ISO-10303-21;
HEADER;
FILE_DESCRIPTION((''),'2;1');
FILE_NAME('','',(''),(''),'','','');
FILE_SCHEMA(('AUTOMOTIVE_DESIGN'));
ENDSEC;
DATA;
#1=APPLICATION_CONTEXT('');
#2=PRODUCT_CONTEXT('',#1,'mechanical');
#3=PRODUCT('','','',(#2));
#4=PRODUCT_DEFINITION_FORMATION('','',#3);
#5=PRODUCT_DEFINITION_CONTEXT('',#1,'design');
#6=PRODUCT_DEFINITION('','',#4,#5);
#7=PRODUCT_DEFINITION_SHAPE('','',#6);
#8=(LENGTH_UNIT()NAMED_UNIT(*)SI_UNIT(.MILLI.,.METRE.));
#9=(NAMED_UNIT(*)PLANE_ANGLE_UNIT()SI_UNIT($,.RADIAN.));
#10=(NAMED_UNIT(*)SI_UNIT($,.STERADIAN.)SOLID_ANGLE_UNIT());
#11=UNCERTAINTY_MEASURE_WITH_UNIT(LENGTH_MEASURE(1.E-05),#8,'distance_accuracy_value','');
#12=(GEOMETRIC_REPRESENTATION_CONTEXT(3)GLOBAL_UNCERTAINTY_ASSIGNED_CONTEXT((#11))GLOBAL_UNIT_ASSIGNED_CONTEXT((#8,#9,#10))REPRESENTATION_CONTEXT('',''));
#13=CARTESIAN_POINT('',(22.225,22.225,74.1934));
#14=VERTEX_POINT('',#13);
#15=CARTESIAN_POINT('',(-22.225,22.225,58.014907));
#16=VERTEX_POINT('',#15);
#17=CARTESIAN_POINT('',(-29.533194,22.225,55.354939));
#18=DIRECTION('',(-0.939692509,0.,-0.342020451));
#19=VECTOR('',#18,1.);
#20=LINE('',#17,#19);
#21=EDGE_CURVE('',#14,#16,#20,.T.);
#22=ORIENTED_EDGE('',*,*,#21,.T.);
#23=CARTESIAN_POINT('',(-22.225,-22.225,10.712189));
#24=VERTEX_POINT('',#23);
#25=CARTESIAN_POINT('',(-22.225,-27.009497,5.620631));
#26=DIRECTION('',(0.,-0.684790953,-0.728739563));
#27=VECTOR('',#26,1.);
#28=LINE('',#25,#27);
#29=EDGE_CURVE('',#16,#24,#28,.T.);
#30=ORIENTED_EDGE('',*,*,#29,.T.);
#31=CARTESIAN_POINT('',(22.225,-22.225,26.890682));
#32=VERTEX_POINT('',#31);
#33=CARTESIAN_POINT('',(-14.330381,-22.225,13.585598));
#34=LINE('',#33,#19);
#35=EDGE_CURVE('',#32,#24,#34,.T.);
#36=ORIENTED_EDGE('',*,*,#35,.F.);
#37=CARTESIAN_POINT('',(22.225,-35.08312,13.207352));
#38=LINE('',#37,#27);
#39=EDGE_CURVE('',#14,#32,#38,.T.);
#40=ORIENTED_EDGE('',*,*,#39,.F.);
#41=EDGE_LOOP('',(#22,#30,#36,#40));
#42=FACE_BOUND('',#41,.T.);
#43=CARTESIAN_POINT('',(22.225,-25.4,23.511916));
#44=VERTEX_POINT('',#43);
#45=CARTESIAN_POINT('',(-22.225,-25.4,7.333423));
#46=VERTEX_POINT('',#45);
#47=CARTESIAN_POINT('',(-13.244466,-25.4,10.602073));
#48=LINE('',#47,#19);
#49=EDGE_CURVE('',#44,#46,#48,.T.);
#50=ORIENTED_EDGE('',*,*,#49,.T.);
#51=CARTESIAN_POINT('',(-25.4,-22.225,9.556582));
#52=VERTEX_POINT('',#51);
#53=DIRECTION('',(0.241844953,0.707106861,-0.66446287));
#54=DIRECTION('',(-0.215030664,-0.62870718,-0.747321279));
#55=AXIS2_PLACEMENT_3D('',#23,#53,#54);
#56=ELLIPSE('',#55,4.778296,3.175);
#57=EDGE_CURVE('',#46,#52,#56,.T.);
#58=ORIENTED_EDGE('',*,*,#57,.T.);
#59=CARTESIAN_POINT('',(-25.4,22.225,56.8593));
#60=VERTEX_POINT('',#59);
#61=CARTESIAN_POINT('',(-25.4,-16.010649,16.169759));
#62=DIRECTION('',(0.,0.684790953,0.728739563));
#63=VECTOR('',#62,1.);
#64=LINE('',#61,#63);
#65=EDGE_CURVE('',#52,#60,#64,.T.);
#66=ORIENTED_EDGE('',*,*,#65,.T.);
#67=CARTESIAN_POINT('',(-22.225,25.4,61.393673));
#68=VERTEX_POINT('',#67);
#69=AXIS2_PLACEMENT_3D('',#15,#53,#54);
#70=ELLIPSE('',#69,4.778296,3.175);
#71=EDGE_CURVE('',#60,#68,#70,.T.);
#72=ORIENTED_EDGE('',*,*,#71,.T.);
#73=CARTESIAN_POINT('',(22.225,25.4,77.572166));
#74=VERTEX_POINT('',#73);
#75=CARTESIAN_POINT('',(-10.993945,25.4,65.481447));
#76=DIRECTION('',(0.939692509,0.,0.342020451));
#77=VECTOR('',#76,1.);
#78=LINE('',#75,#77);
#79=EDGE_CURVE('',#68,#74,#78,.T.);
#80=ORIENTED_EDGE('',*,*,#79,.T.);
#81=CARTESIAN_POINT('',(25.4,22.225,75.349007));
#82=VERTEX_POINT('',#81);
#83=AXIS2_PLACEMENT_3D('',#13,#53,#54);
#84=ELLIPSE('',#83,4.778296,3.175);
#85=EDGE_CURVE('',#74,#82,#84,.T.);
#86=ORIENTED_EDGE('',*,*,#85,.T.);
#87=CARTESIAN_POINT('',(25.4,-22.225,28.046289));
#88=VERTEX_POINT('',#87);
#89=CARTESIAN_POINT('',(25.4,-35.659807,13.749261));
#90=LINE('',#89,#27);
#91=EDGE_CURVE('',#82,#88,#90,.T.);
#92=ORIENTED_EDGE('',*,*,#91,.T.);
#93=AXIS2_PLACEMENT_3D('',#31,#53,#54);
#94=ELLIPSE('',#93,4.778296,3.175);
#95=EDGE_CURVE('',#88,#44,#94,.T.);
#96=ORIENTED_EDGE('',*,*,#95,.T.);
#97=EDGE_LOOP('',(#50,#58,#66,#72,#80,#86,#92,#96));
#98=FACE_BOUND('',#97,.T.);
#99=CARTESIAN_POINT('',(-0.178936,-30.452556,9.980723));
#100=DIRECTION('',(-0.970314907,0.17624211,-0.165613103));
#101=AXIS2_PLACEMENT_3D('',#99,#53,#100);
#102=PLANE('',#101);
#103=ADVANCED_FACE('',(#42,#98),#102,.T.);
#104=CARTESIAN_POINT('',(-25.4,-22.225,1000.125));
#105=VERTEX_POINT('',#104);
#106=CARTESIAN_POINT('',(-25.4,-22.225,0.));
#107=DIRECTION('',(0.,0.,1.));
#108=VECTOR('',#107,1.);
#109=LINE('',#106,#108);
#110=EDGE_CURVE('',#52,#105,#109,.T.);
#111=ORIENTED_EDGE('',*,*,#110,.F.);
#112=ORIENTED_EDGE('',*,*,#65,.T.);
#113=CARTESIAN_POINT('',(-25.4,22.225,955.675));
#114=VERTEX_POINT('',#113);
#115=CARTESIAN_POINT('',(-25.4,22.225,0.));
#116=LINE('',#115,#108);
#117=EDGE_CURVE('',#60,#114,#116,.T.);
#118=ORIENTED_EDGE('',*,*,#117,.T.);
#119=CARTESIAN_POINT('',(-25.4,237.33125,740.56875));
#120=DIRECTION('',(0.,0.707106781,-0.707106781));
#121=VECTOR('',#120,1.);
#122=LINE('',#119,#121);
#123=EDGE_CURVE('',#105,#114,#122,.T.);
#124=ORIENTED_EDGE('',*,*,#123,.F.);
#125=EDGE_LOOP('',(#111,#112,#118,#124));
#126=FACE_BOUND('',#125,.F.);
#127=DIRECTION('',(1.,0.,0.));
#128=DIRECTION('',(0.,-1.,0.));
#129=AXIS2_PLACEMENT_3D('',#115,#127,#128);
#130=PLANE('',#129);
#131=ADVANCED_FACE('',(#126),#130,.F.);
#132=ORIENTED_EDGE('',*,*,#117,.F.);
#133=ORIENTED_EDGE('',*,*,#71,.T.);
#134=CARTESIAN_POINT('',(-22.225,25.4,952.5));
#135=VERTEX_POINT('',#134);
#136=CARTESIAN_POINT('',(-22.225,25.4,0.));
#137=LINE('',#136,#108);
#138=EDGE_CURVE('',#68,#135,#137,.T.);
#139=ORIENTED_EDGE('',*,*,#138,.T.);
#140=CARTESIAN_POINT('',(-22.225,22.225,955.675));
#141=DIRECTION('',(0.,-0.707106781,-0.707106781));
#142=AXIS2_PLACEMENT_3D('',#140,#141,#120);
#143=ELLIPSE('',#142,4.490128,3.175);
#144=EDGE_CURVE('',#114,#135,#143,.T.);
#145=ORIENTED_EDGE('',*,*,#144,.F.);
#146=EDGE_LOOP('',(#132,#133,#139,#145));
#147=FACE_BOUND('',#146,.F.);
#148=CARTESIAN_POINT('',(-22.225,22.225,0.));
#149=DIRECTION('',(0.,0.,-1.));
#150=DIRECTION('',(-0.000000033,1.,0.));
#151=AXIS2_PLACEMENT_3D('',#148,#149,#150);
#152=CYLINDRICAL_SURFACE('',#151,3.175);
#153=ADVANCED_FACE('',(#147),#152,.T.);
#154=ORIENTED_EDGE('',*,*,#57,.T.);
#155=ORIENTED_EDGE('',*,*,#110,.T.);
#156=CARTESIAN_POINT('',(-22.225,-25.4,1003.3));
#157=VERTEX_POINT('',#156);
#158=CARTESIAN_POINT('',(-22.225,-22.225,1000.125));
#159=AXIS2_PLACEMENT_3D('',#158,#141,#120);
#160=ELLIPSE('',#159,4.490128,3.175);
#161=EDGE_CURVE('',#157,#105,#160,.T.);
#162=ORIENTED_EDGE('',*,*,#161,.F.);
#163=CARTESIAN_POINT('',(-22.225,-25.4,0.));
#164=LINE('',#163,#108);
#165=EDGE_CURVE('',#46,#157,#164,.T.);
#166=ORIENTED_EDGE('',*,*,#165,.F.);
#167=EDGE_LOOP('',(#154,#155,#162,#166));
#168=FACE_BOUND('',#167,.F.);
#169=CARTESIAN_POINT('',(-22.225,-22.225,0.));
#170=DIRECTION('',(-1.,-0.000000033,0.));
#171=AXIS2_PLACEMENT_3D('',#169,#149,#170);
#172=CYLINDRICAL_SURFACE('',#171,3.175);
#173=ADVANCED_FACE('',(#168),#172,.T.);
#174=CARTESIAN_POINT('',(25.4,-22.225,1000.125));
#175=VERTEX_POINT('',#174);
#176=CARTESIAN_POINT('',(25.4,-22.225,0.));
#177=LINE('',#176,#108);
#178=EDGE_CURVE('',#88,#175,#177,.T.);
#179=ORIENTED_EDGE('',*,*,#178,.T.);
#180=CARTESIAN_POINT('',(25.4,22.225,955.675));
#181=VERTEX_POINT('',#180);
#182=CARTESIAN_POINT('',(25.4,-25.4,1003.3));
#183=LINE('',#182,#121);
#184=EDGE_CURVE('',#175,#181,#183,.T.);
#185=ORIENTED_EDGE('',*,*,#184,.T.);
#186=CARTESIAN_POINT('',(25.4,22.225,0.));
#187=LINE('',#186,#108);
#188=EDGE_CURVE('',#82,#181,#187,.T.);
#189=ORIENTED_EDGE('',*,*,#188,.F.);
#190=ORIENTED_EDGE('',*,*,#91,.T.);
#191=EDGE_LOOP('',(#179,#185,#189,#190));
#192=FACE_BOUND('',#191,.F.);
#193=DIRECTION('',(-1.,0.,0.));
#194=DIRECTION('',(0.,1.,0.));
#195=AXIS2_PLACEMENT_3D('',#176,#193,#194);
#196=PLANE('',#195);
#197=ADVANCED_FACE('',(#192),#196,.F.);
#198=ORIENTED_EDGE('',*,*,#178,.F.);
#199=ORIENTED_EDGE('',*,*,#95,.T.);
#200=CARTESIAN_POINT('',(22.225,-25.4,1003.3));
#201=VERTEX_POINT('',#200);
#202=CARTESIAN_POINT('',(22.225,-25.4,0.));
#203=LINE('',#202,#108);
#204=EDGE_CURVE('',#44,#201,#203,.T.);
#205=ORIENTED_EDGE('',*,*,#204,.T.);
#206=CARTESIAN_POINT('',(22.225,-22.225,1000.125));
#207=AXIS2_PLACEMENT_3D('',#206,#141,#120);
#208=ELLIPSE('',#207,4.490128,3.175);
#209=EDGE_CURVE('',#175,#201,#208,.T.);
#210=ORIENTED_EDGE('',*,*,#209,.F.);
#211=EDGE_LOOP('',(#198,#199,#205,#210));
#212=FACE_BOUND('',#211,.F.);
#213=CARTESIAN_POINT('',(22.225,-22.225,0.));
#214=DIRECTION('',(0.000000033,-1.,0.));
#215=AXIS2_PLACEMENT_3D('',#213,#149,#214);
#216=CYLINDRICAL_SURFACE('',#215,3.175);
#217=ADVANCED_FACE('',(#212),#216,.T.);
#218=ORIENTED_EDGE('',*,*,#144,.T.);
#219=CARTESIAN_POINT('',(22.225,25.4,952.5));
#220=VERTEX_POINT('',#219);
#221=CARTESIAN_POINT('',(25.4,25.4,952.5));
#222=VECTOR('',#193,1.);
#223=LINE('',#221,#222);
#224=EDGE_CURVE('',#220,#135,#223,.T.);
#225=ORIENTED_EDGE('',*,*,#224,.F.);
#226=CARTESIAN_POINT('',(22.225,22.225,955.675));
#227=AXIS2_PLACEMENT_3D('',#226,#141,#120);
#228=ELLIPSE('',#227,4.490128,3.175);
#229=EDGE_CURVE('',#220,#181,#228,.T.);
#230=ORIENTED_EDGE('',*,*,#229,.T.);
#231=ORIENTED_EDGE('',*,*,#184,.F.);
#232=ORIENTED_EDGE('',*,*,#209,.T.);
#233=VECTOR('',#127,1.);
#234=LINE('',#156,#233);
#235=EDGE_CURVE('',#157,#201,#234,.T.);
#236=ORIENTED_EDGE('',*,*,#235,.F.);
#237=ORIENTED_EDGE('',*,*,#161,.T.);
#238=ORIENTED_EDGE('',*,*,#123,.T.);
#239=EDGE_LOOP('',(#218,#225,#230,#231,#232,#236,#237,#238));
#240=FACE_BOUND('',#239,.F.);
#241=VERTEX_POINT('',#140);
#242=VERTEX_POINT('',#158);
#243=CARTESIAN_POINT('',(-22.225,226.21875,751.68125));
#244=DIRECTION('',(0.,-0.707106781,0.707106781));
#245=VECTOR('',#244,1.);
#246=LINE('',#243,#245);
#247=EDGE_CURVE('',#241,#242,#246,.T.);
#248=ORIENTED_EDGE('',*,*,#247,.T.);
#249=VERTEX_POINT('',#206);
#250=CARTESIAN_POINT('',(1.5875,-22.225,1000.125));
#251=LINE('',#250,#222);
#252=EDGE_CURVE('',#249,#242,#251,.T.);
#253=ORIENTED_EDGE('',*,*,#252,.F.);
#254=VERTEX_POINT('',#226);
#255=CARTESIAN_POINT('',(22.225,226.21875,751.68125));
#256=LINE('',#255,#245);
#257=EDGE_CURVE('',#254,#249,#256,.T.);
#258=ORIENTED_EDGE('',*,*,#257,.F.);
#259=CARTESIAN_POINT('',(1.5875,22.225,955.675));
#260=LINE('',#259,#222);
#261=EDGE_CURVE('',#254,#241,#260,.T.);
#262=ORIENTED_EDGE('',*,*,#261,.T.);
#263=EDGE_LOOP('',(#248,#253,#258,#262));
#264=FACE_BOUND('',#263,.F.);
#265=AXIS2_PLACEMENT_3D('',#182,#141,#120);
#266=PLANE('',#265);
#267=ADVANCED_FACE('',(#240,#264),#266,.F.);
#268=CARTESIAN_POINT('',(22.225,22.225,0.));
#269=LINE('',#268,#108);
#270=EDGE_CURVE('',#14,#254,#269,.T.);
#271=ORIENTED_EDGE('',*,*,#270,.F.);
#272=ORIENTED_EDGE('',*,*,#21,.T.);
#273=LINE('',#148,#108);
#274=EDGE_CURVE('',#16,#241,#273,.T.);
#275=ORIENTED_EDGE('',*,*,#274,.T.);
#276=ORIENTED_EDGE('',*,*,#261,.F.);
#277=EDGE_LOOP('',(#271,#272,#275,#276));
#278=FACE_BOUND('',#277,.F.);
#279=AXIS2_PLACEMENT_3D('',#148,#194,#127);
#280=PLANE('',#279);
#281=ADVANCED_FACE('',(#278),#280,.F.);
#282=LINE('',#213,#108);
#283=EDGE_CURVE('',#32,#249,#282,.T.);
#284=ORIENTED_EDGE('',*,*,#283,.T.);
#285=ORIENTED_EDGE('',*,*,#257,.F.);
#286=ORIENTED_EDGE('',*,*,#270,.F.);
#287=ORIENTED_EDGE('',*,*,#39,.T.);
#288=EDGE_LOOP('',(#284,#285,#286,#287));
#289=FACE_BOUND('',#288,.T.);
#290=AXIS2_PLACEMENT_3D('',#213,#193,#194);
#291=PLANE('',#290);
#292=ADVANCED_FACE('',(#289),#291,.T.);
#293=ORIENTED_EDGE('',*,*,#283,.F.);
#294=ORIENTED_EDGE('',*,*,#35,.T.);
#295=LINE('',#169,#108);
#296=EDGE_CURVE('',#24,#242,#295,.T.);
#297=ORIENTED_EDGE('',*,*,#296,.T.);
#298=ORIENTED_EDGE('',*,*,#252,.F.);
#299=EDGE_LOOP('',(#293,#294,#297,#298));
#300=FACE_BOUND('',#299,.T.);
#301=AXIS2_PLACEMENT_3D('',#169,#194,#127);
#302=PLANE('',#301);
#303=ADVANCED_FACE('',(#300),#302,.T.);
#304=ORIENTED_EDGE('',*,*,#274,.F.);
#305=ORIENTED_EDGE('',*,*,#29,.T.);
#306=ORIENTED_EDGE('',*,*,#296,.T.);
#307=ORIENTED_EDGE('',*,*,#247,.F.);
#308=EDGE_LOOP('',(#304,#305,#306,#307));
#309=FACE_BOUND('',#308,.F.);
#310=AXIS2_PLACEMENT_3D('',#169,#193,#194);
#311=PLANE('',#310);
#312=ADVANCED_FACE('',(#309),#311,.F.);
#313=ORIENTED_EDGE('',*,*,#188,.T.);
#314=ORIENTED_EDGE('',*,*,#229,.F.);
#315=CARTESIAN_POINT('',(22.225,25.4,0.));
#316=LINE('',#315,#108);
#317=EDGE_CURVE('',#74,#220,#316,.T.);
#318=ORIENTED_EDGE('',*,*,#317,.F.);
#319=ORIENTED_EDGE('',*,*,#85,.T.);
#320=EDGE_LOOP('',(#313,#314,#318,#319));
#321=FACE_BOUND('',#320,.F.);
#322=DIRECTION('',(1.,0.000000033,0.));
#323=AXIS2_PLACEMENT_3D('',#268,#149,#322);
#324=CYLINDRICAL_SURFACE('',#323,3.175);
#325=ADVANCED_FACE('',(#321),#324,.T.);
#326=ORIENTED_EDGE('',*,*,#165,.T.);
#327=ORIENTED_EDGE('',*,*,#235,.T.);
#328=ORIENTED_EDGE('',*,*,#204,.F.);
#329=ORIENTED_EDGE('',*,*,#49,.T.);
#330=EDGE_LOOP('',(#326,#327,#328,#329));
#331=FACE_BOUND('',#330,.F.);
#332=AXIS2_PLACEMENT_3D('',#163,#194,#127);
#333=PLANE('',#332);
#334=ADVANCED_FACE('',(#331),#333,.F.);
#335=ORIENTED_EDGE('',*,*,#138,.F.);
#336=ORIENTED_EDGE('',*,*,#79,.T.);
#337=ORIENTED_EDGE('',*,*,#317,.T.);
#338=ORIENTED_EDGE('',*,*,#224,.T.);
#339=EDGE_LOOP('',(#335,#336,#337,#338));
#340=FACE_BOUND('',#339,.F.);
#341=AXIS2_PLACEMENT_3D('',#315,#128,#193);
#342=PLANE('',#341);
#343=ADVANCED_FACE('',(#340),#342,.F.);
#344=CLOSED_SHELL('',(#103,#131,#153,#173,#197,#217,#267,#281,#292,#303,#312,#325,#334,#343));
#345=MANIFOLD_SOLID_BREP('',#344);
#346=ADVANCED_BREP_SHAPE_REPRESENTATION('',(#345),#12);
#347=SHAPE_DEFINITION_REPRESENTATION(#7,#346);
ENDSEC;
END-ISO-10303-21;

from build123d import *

# Parameters (mm, degrees)
F0_W          = 44.45
F0_H          = 44.45
F1_DEPTH      = 1003.3
F3_DEPTH      = 50.801
F5_DEPTH      = 50.801
F7_W          = 181.430888
F7_H          = 203.2
F8_DEPTH      = 50.8
F8_DEPTH_BACK = 6.35


with BuildPart() as f1:
    # F0 (on Top) → F1 (new body)
    with BuildSketch(Plane.XY):
        with BuildLine():
            ThreePointArc((25.4, 22.225), (24.470064, 24.470064), (22.225, 25.4))
            Line((22.225, 25.4), (-22.225, 25.4))
            ThreePointArc((-22.225, 25.4), (-24.470064, 24.470064), (-25.4, 22.225))
            Line((-25.4, 22.225), (-25.4, -22.225))
            ThreePointArc((-25.4, -22.225), (-24.470064, -24.470064), (-22.225, -25.4))
            Line((-22.225, -25.4), (22.225, -25.4))
            ThreePointArc((22.225, -25.4), (24.470064, -24.470064), (25.4, -22.225))
            Line((25.4, -22.225), (25.4, 22.225))
        make_face()
        Rectangle(F0_W, F0_H, mode=Mode.SUBTRACT)
    extrude(amount=F1_DEPTH)

    # F2 (on face) → F3 (cut, through all)
    with BuildSketch(Plane.YZ.offset(25.4)):
        Polygon((25.4, 1003.3), (-25.4, 1003.3), (25.4, 952.5), align=None)
    extrude(amount=-F3_DEPTH, mode=Mode.SUBTRACT)

    # F4 (on face) → F5 (cut, through all)
    with BuildSketch(Plane.XZ.offset(25.4)):
        Polygon((-25.4, 0), (25.4, 0), (25.4, 18.489688), align=None)
    extrude(amount=-F5_DEPTH, mode=Mode.SUBTRACT)

    # F7 (on face) → F8 (cut, two sides)
    with BuildSketch(Plane(origin=(-5.286317, -15.456156, 14.524036), x_dir=(-0.970315, 0.176242, -0.165613), z_dir=(0.241845, 0.707107, -0.664463))) as f8_sk:
        with Locations((-6.846333, -13.58029)):
            Rectangle(F7_W, F7_H)
    extrude(amount=F8_DEPTH, mode=Mode.SUBTRACT)
    extrude(f8_sk.sketch, amount=-F8_DEPTH_BACK, mode=Mode.SUBTRACT)


solid = f1.part
